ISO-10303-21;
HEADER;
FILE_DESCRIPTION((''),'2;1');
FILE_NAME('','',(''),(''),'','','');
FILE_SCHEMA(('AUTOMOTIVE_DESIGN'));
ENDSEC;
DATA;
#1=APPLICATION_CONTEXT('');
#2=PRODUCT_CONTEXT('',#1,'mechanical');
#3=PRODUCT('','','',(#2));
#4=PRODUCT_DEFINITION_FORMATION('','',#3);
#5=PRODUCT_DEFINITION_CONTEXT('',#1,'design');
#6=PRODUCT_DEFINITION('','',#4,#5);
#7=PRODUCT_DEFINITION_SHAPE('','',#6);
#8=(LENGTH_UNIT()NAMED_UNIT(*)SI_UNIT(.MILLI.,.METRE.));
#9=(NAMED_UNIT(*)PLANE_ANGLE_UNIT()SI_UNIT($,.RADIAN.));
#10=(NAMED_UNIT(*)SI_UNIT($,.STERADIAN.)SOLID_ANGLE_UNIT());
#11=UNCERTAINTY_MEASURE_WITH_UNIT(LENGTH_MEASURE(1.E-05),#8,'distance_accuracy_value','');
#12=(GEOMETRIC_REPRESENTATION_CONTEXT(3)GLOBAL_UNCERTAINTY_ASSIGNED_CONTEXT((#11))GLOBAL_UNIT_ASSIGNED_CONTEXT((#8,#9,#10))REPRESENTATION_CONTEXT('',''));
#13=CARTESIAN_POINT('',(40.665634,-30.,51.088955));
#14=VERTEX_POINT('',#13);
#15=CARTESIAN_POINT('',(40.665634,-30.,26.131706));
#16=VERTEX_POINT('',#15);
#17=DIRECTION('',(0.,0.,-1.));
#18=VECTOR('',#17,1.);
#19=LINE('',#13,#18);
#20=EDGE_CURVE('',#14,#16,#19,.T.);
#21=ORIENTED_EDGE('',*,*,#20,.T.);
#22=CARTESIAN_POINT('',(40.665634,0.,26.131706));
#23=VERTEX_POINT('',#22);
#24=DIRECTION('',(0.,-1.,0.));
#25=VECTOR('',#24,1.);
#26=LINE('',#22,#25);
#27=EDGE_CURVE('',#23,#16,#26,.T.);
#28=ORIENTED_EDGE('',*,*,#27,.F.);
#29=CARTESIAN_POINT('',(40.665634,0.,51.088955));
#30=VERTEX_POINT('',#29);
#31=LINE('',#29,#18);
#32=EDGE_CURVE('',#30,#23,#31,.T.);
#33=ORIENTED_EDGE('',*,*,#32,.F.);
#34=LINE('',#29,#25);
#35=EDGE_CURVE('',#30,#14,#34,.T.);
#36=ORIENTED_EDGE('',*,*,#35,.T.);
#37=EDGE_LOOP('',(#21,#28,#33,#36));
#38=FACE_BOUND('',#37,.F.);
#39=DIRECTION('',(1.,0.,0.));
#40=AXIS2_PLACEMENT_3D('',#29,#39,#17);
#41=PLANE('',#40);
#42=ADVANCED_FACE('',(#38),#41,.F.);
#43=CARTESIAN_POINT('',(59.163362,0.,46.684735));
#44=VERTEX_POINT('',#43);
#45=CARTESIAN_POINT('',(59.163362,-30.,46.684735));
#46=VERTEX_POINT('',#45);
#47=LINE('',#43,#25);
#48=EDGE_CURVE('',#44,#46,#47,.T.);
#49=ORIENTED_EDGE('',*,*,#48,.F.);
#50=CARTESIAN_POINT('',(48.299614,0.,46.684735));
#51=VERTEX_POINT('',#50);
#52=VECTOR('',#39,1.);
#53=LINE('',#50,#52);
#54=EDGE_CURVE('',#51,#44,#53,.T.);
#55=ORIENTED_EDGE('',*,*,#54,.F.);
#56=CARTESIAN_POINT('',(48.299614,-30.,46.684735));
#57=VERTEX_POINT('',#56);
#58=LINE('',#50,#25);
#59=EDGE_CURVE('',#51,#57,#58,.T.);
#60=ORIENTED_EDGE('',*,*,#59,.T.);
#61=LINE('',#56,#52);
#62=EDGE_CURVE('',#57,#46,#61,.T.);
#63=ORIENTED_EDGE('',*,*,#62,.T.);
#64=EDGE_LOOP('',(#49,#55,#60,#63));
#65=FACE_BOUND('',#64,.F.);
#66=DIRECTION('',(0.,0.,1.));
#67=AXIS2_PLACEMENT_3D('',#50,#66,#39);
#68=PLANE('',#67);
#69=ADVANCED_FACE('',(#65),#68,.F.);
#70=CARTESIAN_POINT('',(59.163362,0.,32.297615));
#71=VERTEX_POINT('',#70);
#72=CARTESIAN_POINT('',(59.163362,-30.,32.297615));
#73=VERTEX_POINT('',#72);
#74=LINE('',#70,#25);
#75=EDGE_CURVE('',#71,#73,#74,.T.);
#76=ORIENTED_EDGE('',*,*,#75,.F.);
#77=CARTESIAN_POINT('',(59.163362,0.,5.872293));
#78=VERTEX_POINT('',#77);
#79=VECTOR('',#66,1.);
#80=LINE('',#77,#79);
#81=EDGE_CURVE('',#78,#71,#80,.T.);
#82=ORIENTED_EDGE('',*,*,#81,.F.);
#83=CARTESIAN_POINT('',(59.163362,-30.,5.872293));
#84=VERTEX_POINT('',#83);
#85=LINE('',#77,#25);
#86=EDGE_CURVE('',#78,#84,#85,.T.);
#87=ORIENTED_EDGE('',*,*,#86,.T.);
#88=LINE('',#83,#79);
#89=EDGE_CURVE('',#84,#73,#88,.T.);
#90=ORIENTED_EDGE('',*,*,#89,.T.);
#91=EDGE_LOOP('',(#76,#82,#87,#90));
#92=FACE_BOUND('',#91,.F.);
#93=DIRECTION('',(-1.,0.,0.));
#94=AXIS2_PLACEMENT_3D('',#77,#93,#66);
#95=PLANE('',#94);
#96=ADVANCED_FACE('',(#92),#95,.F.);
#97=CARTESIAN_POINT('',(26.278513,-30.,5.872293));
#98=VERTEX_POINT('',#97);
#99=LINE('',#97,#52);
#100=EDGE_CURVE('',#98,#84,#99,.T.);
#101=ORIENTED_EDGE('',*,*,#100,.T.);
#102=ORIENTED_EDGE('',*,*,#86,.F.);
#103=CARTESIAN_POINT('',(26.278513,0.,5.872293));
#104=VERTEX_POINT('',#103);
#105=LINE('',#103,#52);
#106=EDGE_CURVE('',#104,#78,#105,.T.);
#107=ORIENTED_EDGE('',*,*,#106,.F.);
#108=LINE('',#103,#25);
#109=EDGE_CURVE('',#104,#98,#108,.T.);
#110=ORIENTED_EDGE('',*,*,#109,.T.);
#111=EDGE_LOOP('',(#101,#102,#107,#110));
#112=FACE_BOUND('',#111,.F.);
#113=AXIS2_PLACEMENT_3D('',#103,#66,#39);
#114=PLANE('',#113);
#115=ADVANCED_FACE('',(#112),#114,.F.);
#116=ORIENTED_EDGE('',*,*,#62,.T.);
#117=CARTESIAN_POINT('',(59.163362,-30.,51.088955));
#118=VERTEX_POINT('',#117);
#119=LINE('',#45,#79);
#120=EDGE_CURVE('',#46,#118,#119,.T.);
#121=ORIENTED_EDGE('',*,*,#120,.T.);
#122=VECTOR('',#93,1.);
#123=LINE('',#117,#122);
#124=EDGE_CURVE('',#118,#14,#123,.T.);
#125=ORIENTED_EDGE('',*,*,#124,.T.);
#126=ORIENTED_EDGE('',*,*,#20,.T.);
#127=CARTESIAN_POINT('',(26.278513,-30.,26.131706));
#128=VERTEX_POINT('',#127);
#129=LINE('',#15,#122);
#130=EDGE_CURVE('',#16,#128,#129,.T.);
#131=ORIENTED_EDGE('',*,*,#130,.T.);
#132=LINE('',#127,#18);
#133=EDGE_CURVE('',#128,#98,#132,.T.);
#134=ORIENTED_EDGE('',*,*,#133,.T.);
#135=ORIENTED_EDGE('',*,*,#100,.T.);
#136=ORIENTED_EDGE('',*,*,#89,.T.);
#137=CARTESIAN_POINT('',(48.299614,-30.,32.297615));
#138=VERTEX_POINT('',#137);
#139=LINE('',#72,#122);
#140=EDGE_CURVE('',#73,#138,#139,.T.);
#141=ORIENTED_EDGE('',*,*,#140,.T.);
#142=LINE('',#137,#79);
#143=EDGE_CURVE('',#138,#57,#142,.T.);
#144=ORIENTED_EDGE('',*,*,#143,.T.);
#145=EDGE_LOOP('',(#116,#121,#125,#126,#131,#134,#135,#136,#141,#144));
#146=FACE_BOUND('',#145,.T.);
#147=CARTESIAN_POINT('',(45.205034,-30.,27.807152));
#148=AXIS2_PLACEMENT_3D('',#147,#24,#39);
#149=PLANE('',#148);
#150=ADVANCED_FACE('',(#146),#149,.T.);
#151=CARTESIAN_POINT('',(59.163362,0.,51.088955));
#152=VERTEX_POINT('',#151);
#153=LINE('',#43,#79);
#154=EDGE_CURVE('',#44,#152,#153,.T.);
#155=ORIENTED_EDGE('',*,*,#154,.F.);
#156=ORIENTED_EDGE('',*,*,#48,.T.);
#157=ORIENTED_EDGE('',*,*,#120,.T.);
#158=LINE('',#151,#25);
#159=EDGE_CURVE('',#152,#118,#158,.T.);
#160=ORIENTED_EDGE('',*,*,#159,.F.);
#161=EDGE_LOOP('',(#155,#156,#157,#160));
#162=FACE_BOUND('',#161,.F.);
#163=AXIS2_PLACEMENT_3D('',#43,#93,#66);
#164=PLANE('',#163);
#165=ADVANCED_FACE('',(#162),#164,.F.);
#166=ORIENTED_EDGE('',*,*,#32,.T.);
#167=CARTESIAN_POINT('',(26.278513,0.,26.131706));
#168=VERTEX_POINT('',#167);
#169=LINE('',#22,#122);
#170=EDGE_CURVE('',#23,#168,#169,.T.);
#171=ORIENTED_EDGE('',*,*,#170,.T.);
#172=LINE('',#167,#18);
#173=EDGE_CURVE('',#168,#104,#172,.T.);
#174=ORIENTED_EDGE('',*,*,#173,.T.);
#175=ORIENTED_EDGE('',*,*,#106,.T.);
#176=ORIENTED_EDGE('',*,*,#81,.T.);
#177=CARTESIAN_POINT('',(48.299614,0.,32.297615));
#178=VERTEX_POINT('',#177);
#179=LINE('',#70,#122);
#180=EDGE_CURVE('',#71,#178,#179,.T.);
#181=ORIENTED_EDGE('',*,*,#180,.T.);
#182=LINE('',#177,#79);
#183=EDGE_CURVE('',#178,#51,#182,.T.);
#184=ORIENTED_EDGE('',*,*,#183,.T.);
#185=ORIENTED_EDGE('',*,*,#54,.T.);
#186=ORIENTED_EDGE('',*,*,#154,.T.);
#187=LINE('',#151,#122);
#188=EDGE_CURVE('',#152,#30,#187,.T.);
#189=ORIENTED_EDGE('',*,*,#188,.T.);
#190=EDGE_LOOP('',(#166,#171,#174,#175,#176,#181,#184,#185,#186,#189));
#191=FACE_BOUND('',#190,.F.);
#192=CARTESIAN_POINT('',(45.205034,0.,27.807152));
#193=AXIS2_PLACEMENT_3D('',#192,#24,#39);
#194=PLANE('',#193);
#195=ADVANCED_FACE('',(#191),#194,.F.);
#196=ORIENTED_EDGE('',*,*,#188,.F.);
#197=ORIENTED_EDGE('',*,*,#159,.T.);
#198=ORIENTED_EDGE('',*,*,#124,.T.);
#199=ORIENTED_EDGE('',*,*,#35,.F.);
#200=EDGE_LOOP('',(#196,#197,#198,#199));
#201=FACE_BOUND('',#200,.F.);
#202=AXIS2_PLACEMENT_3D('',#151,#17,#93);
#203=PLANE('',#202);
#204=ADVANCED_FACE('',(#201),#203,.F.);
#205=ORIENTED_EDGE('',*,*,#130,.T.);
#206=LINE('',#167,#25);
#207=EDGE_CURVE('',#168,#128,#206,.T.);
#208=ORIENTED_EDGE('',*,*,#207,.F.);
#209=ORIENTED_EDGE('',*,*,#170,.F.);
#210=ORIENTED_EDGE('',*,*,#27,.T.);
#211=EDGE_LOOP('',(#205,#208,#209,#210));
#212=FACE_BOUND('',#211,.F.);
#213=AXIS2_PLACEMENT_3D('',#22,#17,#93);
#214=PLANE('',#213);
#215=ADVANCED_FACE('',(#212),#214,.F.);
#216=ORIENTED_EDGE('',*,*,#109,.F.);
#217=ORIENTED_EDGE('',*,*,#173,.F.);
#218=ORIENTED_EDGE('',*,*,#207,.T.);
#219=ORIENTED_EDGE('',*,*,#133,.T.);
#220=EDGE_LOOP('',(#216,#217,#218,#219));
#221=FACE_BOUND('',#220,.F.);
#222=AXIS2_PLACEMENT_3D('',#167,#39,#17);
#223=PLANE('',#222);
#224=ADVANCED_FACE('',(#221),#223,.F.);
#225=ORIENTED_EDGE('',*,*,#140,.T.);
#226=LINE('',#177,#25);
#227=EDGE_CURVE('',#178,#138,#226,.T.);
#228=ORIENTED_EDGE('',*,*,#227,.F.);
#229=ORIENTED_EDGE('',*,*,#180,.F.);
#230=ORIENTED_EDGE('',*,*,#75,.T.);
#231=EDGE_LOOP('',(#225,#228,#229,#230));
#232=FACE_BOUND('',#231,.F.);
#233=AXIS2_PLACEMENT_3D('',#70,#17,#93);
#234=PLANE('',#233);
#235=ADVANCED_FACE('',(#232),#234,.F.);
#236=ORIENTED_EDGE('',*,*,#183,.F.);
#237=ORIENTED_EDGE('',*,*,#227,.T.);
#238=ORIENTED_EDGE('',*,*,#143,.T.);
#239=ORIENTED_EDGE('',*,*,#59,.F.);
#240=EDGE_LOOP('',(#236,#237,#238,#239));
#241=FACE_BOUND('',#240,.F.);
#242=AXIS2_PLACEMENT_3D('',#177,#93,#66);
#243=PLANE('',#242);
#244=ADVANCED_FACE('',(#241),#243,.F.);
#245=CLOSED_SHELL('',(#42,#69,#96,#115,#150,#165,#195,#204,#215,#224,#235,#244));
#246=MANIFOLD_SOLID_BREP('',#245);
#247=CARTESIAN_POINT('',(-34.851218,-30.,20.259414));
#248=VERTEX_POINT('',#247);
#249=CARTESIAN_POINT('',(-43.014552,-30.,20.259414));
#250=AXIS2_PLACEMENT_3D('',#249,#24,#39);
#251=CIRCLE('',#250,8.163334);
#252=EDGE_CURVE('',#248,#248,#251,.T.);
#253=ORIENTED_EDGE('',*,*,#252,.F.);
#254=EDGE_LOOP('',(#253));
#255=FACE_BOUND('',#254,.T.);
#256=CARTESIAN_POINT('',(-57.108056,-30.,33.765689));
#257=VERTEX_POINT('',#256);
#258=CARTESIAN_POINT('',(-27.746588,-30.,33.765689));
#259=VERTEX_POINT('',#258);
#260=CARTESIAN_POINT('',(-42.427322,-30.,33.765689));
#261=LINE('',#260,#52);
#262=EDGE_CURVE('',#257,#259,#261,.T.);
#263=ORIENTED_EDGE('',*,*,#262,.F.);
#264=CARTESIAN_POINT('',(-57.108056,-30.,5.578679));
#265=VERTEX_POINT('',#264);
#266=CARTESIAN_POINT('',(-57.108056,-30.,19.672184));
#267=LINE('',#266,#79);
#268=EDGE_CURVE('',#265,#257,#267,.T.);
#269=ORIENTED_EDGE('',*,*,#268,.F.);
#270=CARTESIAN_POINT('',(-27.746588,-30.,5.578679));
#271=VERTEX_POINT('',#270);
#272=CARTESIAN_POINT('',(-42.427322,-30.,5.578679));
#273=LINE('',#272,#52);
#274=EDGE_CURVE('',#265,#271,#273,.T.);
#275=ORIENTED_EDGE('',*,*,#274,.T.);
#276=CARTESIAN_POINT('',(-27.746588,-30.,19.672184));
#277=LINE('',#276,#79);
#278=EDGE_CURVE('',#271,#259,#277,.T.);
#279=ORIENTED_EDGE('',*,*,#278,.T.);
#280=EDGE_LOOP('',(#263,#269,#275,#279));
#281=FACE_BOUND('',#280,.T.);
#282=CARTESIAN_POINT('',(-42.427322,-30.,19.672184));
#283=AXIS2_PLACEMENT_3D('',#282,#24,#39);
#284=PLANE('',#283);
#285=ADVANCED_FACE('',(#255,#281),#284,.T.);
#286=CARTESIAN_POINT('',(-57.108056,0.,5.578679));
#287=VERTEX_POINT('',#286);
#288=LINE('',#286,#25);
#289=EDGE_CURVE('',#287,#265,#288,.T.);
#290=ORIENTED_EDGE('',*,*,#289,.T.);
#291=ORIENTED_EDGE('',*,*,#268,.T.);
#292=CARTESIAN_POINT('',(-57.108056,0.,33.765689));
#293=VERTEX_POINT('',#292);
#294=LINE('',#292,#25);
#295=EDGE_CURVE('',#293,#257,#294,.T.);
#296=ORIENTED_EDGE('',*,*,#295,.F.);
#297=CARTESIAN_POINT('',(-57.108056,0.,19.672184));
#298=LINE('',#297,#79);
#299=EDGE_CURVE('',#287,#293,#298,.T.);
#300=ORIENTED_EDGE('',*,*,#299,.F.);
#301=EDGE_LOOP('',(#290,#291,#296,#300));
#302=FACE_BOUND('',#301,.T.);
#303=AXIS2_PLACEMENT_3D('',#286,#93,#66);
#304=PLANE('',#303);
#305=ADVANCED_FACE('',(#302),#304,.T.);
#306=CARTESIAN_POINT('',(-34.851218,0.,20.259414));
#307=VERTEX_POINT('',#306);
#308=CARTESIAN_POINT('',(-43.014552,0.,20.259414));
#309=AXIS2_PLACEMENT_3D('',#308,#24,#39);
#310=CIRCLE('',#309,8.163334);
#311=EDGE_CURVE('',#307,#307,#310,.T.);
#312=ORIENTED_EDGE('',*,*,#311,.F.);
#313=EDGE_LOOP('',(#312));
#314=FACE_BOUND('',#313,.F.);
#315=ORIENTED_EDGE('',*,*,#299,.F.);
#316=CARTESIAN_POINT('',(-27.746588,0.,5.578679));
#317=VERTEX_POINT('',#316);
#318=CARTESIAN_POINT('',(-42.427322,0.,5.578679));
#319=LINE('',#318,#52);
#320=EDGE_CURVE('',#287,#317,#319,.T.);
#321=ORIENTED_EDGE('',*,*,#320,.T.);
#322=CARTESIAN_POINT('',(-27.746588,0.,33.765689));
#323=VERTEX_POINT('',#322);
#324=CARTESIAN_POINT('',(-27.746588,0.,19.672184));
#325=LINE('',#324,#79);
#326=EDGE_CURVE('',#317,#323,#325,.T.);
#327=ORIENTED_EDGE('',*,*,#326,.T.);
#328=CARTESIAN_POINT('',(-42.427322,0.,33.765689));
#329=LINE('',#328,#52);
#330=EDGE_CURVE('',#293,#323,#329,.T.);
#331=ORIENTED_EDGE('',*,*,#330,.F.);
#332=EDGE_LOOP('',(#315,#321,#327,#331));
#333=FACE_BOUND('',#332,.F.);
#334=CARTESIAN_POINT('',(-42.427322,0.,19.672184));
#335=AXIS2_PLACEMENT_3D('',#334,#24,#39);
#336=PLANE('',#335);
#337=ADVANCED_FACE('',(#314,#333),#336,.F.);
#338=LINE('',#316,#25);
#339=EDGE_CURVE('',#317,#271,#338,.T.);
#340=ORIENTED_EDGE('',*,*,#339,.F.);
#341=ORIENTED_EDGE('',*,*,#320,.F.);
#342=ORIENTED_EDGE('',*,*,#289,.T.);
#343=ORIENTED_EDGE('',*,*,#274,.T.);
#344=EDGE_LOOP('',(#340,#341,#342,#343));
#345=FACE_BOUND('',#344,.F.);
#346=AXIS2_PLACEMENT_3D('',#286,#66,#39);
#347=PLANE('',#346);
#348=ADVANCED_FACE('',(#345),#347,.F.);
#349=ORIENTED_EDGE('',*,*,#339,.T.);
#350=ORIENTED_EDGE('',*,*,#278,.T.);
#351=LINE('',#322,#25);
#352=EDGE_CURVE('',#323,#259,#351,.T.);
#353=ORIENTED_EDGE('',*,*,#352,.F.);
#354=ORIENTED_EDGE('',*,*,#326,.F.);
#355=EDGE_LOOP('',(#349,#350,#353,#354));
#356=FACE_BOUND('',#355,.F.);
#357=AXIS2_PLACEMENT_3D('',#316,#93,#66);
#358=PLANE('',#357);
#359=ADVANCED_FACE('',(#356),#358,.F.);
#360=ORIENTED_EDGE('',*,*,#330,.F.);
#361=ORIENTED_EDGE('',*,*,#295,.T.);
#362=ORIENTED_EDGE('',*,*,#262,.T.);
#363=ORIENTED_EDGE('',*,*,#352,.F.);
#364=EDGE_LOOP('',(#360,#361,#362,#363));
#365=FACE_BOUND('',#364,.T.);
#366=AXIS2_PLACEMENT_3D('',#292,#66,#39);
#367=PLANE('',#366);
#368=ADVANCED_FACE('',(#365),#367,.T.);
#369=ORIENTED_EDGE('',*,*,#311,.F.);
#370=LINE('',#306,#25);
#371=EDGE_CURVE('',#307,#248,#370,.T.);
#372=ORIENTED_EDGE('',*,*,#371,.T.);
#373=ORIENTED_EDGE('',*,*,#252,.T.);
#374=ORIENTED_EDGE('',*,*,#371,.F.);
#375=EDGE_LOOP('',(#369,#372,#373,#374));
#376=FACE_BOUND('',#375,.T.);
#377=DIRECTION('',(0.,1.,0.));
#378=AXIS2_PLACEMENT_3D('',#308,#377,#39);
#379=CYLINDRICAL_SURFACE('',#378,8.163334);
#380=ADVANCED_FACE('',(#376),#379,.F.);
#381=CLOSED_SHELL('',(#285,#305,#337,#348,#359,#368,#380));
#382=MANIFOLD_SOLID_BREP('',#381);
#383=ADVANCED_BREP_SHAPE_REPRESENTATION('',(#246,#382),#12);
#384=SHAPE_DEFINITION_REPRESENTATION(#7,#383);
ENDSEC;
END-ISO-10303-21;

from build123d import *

# Parameters (mm, degrees)
F0_W     = 29.361468
F0_H     = 28.18701
F0_R     = 8.163334
F1_DEPTH = 30


with BuildPart() as f1:
    # F0 (on Front) → F1 (new body)
    with BuildSketch(Plane.XZ):
        with Locations((-42.427322, 19.672184)):
            Rectangle(F0_W, F0_H)
        with Locations((-43.014552, 20.259414)):
            Circle(F0_R, mode=Mode.SUBTRACT)
        Polygon((40.665634, 26.131706), (26.278513, 26.131706), (26.278513, 5.872293), (59.163362, 5.872293), (59.163362, 26.131706), (59.163362, 32.297615), (48.299614, 32.297615), (48.299614, 46.684735), (59.163362, 46.684735), (59.163362, 51.088955), (48.299614, 51.088955), (40.665634, 51.088955), (40.665634, 32.297615), align=None)
    extrude(amount=F1_DEPTH)


solid = f1.part
